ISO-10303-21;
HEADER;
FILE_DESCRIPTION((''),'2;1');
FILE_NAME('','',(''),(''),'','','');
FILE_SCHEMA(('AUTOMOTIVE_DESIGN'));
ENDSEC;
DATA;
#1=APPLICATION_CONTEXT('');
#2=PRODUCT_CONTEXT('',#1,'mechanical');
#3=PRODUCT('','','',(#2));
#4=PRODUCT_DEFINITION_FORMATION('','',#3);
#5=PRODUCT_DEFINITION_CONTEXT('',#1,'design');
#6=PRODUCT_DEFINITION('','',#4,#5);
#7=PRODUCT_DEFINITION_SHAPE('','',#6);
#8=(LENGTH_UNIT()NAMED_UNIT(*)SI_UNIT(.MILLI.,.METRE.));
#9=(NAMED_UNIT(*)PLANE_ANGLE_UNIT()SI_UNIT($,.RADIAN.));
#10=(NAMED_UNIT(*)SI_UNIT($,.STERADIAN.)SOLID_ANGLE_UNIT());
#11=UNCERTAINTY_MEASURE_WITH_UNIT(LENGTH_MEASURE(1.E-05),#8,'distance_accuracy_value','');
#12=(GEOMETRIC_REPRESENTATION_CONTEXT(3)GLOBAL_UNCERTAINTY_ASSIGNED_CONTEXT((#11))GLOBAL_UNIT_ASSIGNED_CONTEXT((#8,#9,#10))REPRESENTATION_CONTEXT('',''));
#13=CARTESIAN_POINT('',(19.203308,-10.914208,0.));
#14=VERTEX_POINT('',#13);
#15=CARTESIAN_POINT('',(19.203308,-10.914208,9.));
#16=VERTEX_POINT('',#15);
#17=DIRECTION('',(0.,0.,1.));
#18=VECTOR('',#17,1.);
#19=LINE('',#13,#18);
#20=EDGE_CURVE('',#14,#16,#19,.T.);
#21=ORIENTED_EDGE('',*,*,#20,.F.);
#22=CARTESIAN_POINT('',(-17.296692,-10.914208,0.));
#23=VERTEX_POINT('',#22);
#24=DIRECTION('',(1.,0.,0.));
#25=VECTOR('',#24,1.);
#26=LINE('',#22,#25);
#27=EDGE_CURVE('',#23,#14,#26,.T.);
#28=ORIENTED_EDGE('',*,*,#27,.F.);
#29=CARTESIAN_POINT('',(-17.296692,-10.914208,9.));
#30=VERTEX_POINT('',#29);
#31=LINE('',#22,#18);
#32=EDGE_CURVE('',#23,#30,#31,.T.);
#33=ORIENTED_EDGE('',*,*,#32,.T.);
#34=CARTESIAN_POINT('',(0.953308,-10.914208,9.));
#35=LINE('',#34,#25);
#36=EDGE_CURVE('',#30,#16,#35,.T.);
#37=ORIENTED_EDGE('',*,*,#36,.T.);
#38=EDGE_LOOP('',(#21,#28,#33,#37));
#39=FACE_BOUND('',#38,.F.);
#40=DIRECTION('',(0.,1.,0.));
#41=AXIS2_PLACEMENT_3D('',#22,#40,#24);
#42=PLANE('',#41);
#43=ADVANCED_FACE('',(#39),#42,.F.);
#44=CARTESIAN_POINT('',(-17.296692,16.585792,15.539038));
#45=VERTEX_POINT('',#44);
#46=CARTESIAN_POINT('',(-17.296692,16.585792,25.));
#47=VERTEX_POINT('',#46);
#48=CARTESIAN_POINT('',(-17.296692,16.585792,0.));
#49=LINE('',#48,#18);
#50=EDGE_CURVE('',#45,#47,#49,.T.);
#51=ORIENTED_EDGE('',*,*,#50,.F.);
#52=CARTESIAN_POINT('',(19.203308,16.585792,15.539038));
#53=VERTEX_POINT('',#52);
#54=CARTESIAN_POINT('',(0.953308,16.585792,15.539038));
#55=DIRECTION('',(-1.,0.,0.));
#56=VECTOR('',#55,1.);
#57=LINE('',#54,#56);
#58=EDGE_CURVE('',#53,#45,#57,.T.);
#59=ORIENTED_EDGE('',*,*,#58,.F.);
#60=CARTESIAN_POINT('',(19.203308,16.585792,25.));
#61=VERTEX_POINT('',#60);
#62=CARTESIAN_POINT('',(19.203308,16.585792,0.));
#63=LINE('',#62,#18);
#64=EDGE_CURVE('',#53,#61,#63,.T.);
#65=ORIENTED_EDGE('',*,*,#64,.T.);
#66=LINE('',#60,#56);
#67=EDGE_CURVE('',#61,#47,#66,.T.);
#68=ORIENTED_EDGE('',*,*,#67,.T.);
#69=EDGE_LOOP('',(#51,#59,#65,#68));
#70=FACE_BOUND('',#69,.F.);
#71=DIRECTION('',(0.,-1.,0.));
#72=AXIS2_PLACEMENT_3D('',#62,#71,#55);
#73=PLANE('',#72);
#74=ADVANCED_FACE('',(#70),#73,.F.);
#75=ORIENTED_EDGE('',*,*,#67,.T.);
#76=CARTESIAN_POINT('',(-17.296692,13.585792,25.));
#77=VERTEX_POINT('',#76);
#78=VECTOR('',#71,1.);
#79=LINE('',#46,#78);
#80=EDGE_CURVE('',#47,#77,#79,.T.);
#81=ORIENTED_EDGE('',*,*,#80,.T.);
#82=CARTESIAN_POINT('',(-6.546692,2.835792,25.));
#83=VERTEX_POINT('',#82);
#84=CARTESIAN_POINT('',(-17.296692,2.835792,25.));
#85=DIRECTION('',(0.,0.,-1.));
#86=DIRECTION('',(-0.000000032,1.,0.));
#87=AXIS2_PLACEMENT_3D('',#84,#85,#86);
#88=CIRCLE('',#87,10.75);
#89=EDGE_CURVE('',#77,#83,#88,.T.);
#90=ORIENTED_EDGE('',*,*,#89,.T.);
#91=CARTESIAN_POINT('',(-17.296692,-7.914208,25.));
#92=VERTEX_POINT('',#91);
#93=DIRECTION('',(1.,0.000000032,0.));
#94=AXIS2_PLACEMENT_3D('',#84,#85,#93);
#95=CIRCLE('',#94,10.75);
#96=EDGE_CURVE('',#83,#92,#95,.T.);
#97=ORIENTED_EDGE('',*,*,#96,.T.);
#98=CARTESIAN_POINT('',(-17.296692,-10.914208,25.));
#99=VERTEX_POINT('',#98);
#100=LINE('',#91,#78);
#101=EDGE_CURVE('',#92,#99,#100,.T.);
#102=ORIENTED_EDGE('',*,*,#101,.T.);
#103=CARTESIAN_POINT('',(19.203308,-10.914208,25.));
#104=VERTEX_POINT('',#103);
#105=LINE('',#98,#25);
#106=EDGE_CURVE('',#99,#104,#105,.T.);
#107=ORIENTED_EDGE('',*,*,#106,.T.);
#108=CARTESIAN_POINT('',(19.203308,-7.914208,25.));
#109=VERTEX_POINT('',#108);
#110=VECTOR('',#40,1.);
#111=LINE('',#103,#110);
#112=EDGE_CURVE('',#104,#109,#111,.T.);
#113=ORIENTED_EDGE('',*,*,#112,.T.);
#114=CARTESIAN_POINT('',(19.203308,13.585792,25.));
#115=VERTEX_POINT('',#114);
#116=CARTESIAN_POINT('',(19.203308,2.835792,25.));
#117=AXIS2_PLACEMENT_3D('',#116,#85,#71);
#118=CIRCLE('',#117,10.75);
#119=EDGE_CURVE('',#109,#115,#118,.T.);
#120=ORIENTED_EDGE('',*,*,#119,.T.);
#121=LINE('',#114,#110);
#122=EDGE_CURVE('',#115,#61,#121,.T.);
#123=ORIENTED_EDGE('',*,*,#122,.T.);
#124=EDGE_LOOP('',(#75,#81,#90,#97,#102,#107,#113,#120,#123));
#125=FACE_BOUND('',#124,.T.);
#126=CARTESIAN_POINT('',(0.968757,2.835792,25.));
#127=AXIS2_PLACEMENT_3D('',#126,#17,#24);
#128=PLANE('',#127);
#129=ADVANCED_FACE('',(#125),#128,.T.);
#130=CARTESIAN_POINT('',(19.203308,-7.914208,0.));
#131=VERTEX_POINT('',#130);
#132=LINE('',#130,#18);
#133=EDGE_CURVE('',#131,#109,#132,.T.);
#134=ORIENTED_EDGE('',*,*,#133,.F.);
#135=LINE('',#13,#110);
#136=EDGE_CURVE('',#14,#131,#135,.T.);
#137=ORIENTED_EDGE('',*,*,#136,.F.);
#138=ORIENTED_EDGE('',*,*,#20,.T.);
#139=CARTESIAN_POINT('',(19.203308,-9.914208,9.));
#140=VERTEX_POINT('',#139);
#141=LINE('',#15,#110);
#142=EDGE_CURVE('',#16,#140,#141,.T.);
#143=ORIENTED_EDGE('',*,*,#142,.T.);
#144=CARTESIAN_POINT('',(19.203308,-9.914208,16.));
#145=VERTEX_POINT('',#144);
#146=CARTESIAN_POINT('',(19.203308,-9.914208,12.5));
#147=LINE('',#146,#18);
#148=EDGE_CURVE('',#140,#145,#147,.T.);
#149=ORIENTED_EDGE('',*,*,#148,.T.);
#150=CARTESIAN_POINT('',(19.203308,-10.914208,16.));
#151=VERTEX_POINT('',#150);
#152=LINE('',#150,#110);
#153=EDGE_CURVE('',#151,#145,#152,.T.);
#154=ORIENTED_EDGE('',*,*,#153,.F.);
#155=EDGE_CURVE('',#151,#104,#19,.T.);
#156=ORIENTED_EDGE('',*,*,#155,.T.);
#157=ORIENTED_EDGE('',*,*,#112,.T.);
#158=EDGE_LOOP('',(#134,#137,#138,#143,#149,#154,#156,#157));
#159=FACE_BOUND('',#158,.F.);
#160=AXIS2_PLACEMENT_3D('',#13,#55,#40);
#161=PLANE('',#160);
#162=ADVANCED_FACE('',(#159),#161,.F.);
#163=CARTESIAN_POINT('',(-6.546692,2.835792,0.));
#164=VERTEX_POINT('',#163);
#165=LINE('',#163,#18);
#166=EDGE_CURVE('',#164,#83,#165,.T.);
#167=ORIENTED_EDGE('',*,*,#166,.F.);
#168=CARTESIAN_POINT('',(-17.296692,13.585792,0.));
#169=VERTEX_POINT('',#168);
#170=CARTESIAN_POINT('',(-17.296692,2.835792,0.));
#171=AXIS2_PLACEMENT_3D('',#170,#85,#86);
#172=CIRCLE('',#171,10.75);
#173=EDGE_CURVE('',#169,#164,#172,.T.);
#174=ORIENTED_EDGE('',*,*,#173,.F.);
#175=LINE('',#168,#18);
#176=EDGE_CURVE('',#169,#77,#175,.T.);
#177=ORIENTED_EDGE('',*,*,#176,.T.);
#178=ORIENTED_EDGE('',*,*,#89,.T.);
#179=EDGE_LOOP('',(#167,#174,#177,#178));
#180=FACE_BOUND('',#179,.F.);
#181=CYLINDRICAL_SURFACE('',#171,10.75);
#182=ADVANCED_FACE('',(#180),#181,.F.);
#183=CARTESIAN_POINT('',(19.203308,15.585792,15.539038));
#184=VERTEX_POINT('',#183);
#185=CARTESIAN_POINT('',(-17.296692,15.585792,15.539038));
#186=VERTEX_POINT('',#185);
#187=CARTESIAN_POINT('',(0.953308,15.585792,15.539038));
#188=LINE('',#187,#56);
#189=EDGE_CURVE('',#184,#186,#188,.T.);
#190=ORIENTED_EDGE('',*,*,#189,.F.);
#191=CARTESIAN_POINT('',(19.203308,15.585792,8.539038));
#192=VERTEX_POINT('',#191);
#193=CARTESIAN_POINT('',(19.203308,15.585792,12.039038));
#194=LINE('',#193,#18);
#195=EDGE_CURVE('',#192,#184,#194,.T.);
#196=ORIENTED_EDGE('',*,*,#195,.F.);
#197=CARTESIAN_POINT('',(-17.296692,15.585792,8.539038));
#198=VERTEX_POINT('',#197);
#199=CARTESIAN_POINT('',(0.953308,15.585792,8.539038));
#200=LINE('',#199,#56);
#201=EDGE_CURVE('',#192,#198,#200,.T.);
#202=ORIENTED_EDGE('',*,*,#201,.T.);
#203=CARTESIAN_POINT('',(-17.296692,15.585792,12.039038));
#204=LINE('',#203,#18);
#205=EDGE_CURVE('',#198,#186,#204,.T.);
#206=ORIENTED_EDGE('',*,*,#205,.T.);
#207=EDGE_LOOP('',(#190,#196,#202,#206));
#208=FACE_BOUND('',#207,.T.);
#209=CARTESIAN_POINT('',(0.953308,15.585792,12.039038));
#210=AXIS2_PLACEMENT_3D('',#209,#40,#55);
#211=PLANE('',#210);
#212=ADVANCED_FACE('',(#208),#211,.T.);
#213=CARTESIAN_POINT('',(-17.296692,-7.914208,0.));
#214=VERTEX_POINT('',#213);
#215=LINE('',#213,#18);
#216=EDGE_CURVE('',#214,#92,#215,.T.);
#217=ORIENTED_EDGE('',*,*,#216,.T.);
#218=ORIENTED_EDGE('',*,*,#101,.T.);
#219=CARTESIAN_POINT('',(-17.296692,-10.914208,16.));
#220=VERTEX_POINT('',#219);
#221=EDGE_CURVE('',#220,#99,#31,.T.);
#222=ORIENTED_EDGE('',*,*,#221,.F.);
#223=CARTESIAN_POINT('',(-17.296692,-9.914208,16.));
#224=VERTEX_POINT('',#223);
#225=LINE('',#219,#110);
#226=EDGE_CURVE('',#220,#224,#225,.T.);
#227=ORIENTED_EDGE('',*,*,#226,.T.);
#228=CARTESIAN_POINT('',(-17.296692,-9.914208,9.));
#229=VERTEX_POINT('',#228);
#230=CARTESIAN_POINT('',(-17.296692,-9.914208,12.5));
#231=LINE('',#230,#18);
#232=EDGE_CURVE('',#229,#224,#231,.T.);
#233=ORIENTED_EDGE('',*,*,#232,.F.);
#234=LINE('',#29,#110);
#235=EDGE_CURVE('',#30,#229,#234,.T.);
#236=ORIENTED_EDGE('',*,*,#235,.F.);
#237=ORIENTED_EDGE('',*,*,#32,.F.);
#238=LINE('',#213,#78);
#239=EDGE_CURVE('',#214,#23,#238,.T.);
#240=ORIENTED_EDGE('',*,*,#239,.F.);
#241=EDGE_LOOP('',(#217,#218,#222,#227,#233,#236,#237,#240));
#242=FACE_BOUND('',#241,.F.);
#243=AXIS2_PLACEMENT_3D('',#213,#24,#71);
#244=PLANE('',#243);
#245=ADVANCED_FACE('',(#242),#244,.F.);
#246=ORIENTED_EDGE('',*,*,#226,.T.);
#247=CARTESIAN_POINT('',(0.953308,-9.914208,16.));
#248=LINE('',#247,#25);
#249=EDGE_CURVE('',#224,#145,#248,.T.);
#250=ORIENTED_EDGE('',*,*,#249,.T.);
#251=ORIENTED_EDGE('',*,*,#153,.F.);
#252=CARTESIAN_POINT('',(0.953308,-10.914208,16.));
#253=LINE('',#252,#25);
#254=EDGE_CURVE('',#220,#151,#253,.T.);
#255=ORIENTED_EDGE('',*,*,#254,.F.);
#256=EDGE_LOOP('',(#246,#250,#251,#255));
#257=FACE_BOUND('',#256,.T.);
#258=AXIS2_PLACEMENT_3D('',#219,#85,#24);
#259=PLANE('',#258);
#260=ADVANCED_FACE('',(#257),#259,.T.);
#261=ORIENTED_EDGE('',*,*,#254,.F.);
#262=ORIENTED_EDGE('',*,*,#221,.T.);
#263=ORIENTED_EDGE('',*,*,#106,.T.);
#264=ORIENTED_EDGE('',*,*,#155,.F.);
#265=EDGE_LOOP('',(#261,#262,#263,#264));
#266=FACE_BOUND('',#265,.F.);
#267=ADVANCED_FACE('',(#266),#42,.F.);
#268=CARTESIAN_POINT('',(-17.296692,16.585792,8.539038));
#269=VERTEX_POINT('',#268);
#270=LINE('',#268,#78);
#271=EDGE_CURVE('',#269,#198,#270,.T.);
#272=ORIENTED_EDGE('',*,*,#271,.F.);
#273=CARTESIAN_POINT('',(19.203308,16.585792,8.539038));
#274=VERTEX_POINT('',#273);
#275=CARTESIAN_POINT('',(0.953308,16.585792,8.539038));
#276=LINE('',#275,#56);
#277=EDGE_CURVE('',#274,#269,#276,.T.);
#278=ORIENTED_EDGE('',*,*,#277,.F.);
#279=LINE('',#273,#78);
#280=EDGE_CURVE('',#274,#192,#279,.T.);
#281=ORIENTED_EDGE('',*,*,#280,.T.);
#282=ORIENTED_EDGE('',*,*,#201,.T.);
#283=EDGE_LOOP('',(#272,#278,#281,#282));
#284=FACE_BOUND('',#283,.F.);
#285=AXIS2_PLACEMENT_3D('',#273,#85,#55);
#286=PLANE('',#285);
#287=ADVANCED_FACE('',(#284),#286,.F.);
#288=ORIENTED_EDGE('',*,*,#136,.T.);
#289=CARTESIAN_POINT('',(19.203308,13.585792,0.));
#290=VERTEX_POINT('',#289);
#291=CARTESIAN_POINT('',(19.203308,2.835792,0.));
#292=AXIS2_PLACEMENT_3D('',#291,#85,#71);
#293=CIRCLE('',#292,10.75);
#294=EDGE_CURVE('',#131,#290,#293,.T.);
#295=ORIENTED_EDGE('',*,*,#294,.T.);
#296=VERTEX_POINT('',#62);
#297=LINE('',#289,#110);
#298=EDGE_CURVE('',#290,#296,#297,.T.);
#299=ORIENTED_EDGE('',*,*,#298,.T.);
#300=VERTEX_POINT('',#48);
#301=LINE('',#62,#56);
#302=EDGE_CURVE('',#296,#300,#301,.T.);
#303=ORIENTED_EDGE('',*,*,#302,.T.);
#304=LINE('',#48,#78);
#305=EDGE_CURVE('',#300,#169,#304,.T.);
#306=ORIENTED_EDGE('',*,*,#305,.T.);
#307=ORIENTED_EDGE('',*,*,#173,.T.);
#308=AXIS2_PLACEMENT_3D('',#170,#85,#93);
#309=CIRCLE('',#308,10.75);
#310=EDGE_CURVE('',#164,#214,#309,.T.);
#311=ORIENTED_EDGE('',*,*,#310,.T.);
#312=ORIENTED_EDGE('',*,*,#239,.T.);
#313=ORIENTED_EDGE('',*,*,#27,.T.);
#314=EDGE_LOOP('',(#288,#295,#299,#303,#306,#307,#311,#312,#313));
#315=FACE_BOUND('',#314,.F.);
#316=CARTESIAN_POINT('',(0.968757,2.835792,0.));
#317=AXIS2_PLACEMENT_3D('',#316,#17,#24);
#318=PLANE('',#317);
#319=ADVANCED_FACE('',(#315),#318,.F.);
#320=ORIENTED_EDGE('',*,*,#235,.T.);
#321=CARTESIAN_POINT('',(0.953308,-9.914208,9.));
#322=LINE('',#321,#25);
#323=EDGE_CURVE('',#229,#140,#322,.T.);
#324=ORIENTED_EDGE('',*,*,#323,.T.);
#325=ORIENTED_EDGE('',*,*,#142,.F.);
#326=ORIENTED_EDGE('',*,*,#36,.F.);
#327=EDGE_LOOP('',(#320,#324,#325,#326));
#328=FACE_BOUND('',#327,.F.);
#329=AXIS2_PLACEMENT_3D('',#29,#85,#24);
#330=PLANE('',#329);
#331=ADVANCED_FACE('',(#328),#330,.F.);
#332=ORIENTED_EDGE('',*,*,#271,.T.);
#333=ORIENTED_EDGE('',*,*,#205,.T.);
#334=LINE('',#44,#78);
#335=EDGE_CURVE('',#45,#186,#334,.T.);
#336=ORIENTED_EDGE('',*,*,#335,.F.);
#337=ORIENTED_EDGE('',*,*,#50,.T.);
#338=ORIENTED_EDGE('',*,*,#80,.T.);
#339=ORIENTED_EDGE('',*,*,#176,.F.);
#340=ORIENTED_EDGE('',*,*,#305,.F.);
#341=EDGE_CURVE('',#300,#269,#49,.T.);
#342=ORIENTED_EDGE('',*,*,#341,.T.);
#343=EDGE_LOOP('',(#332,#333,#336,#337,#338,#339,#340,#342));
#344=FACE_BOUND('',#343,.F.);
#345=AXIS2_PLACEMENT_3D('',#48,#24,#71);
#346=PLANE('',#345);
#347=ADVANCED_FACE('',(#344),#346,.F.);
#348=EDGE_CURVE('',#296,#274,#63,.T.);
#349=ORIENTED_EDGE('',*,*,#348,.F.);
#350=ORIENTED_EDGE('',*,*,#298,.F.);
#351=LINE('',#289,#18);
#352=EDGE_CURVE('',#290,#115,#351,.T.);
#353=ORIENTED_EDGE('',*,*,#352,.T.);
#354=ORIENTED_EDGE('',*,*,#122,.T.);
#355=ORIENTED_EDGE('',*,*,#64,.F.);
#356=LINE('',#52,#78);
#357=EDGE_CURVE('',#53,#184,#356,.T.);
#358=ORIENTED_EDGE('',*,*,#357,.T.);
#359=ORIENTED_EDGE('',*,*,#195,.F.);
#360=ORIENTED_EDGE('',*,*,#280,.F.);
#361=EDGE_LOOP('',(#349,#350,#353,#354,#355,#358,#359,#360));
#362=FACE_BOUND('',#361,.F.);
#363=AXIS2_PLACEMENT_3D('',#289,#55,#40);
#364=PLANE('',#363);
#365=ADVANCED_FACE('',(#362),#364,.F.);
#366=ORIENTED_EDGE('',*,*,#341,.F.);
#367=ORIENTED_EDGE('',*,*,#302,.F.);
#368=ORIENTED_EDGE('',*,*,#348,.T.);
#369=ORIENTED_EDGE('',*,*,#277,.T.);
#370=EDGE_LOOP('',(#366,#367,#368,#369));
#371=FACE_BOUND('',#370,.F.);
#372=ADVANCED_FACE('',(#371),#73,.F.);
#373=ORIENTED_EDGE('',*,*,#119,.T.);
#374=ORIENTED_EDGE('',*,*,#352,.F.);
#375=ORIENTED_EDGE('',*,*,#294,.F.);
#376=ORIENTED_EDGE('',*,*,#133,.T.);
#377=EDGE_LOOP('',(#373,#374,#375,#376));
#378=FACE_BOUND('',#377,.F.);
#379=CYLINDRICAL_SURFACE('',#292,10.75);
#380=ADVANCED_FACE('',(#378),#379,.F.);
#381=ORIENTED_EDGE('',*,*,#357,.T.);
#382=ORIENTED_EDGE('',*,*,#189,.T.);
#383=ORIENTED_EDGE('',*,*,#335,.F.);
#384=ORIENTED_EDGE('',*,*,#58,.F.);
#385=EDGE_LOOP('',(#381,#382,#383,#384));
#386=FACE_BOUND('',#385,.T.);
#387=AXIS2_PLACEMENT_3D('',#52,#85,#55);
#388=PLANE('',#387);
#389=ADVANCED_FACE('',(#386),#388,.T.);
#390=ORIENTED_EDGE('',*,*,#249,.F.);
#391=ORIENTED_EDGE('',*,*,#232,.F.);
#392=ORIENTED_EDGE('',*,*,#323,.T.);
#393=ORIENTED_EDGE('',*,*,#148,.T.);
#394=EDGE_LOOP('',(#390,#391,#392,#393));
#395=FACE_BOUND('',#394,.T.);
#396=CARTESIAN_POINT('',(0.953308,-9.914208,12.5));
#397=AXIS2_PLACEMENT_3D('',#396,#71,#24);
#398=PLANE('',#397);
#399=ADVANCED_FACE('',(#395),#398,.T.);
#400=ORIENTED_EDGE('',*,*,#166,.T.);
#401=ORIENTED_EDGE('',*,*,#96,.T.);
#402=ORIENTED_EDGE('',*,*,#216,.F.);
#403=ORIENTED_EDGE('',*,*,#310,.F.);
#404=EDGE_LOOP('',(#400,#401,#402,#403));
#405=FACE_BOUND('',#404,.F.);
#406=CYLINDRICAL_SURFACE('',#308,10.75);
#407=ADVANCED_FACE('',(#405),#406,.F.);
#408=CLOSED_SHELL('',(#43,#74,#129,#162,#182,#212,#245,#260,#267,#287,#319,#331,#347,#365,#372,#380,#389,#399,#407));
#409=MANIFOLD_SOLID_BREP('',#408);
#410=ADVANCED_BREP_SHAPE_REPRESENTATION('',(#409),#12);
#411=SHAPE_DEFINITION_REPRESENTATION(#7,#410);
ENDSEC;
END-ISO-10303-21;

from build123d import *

# Parameters (mm, degrees)
F1_DEPTH = 25
F2_W     = 36.5
F2_H     = 7
F3_DEPTH = 1
F4_W     = 36.5
F4_H     = 7
F5_DEPTH = 1


with BuildPart() as f1:
    # F0 (on Top) → F1 (new body)
    with BuildSketch(Plane.XY):
        with BuildLine():
            ThreePointArc((19.203308, -7.914208), (8.453308, 2.835792), (19.203308, 13.585792))
            Line((19.203308, 13.585792), (19.203308, 16.585792))
            Line((19.203308, 16.585792), (-17.296692, 16.585792))
            Line((-17.296692, 16.585792), (-17.296692, 13.585792))
            ThreePointArc((-17.296692, 13.585792), (-9.695294, 10.43719), (-6.546692, 2.835792))
            ThreePointArc((-6.546692, 2.835792), (-9.695294, -4.765606), (-17.296692, -7.914208))
            Line((-17.296692, -7.914208), (-17.296692, -10.914208))
            Line((-17.296692, -10.914208), (19.203308, -10.914208))
            Line((19.203308, -10.914208), (19.203308, -7.914208))
        make_face()
    extrude(amount=F1_DEPTH)

    # F2 (on face) → F3 (cut)
    with BuildSketch(Plane.XZ.offset(10.914208)):
        with Locations((0.953308, 12.5)):
            Rectangle(F2_W, F2_H)
    extrude(amount=-F3_DEPTH, mode=Mode.SUBTRACT)

    # F4 (on face) → F5 (cut)
    with BuildSketch(Plane(origin=(0, 16.585792, 0), x_dir=(-1, 0, 0), z_dir=(0, 1, 0))):
        with Locations((-0.953308, 12.039038)):
            Rectangle(F4_W, F4_H)
    extrude(amount=-F5_DEPTH, mode=Mode.SUBTRACT)


solid = f1.part
